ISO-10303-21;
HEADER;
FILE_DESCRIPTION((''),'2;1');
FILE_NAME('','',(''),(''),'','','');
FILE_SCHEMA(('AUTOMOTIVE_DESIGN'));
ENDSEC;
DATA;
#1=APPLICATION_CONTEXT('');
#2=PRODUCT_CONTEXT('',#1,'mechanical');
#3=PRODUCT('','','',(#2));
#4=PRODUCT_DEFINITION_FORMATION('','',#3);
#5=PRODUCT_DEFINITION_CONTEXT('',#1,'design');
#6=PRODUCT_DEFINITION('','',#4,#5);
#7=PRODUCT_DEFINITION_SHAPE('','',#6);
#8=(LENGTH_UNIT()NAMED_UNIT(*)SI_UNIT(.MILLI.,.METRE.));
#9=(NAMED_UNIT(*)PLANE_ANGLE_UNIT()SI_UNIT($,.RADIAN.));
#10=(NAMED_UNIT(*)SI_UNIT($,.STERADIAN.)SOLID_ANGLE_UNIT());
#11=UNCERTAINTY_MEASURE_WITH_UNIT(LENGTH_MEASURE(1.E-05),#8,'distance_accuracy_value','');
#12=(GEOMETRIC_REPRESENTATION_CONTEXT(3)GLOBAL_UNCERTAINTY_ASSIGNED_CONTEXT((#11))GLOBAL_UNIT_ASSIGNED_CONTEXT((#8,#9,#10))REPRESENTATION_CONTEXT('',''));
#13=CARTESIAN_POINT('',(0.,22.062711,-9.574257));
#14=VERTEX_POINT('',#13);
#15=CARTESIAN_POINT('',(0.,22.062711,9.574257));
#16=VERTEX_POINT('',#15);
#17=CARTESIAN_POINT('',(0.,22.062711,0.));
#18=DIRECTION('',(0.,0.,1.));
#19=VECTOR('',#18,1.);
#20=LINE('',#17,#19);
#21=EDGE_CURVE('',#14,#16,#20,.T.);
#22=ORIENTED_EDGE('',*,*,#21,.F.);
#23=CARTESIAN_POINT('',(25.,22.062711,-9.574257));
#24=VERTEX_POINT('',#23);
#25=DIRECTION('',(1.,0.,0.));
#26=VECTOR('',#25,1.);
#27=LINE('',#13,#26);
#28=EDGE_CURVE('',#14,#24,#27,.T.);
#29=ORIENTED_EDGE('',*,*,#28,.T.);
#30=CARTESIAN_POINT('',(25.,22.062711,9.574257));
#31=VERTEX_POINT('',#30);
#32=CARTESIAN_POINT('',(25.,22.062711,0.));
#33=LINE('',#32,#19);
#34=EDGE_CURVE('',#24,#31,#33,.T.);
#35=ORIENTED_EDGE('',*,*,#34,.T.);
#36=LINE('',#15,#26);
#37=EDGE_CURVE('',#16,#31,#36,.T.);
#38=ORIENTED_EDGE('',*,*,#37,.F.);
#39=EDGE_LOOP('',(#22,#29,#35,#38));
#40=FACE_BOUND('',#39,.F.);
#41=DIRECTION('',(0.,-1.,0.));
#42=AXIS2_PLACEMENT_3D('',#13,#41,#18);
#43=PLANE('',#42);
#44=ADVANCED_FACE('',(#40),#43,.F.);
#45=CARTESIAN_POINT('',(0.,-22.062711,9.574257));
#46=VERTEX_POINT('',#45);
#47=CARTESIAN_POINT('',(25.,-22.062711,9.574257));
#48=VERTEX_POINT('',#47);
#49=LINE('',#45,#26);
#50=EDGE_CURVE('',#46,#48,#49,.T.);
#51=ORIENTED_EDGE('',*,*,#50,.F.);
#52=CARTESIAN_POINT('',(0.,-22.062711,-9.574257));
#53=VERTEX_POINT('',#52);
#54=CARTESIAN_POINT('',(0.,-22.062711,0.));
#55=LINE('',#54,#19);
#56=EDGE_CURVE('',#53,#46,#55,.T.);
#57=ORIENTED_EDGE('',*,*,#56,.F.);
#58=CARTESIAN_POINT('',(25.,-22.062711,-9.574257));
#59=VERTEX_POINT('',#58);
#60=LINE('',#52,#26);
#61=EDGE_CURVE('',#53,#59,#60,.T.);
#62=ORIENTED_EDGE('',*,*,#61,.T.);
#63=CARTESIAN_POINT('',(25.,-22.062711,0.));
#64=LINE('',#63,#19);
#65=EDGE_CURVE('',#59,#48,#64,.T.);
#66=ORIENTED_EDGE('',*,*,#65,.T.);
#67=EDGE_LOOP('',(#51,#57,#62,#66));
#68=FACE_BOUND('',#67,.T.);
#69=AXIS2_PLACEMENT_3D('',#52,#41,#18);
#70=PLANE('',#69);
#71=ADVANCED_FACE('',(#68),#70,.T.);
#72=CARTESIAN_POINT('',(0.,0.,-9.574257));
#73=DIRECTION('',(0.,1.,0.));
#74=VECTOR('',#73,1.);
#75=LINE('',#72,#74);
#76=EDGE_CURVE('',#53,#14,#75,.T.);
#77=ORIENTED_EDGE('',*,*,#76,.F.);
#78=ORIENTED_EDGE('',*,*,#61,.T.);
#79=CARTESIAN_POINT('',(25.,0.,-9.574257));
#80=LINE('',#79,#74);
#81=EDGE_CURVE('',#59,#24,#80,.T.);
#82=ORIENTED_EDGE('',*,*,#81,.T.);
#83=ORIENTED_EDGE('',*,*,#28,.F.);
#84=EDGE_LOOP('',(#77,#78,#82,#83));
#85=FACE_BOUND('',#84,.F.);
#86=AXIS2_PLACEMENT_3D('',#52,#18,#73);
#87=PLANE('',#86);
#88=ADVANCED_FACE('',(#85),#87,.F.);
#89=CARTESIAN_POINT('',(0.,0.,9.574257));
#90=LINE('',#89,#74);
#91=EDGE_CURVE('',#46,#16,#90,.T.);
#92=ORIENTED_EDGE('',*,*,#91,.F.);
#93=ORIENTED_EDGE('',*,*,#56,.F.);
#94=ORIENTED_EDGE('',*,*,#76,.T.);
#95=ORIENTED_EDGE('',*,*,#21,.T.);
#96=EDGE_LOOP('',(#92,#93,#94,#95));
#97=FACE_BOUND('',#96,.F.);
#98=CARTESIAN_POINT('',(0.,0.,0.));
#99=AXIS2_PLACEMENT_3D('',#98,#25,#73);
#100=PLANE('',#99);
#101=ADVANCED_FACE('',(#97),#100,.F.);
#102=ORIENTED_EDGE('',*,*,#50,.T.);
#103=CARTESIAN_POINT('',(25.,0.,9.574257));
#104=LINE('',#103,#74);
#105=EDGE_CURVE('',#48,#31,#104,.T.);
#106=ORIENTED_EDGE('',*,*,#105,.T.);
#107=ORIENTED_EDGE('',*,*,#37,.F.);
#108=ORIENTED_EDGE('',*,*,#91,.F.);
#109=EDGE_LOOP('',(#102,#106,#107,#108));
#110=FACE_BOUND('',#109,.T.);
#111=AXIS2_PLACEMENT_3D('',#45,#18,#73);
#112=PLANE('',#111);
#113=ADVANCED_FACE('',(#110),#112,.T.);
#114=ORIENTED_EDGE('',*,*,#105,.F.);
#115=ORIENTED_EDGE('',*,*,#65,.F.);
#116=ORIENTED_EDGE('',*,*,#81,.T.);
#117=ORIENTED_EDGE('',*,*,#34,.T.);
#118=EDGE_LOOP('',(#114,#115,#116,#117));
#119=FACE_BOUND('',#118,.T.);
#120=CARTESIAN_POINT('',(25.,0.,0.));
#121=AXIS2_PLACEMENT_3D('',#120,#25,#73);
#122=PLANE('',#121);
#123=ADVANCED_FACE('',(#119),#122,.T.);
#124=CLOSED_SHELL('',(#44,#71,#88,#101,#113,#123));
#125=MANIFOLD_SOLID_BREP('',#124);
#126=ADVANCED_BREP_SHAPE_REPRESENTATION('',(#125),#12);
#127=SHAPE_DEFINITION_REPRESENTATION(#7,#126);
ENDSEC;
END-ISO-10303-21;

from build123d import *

# Parameters (mm, degrees)
F0_W     = 75.775846839
F0_H     = 118.2782948017
F1_DEPTH = 62.6077670604
F3_W     = 44.1254228354
F3_H     = 19.1485136747
F4_DEPTH = 25


with BuildPart() as f1:
    # F0 (on Top) → F1 (new body)
    with BuildSketch(Plane.XY):
        Rectangle(F0_W, F0_H)
    extrude(amount=F1_DEPTH)


with BuildPart() as f4:
    # F3 (on Right) → F4 (new body)
    with BuildSketch(Plane.YZ):
        Rectangle(F3_W, F3_H)
    extrude(amount=F4_DEPTH)


solid = f4.part
